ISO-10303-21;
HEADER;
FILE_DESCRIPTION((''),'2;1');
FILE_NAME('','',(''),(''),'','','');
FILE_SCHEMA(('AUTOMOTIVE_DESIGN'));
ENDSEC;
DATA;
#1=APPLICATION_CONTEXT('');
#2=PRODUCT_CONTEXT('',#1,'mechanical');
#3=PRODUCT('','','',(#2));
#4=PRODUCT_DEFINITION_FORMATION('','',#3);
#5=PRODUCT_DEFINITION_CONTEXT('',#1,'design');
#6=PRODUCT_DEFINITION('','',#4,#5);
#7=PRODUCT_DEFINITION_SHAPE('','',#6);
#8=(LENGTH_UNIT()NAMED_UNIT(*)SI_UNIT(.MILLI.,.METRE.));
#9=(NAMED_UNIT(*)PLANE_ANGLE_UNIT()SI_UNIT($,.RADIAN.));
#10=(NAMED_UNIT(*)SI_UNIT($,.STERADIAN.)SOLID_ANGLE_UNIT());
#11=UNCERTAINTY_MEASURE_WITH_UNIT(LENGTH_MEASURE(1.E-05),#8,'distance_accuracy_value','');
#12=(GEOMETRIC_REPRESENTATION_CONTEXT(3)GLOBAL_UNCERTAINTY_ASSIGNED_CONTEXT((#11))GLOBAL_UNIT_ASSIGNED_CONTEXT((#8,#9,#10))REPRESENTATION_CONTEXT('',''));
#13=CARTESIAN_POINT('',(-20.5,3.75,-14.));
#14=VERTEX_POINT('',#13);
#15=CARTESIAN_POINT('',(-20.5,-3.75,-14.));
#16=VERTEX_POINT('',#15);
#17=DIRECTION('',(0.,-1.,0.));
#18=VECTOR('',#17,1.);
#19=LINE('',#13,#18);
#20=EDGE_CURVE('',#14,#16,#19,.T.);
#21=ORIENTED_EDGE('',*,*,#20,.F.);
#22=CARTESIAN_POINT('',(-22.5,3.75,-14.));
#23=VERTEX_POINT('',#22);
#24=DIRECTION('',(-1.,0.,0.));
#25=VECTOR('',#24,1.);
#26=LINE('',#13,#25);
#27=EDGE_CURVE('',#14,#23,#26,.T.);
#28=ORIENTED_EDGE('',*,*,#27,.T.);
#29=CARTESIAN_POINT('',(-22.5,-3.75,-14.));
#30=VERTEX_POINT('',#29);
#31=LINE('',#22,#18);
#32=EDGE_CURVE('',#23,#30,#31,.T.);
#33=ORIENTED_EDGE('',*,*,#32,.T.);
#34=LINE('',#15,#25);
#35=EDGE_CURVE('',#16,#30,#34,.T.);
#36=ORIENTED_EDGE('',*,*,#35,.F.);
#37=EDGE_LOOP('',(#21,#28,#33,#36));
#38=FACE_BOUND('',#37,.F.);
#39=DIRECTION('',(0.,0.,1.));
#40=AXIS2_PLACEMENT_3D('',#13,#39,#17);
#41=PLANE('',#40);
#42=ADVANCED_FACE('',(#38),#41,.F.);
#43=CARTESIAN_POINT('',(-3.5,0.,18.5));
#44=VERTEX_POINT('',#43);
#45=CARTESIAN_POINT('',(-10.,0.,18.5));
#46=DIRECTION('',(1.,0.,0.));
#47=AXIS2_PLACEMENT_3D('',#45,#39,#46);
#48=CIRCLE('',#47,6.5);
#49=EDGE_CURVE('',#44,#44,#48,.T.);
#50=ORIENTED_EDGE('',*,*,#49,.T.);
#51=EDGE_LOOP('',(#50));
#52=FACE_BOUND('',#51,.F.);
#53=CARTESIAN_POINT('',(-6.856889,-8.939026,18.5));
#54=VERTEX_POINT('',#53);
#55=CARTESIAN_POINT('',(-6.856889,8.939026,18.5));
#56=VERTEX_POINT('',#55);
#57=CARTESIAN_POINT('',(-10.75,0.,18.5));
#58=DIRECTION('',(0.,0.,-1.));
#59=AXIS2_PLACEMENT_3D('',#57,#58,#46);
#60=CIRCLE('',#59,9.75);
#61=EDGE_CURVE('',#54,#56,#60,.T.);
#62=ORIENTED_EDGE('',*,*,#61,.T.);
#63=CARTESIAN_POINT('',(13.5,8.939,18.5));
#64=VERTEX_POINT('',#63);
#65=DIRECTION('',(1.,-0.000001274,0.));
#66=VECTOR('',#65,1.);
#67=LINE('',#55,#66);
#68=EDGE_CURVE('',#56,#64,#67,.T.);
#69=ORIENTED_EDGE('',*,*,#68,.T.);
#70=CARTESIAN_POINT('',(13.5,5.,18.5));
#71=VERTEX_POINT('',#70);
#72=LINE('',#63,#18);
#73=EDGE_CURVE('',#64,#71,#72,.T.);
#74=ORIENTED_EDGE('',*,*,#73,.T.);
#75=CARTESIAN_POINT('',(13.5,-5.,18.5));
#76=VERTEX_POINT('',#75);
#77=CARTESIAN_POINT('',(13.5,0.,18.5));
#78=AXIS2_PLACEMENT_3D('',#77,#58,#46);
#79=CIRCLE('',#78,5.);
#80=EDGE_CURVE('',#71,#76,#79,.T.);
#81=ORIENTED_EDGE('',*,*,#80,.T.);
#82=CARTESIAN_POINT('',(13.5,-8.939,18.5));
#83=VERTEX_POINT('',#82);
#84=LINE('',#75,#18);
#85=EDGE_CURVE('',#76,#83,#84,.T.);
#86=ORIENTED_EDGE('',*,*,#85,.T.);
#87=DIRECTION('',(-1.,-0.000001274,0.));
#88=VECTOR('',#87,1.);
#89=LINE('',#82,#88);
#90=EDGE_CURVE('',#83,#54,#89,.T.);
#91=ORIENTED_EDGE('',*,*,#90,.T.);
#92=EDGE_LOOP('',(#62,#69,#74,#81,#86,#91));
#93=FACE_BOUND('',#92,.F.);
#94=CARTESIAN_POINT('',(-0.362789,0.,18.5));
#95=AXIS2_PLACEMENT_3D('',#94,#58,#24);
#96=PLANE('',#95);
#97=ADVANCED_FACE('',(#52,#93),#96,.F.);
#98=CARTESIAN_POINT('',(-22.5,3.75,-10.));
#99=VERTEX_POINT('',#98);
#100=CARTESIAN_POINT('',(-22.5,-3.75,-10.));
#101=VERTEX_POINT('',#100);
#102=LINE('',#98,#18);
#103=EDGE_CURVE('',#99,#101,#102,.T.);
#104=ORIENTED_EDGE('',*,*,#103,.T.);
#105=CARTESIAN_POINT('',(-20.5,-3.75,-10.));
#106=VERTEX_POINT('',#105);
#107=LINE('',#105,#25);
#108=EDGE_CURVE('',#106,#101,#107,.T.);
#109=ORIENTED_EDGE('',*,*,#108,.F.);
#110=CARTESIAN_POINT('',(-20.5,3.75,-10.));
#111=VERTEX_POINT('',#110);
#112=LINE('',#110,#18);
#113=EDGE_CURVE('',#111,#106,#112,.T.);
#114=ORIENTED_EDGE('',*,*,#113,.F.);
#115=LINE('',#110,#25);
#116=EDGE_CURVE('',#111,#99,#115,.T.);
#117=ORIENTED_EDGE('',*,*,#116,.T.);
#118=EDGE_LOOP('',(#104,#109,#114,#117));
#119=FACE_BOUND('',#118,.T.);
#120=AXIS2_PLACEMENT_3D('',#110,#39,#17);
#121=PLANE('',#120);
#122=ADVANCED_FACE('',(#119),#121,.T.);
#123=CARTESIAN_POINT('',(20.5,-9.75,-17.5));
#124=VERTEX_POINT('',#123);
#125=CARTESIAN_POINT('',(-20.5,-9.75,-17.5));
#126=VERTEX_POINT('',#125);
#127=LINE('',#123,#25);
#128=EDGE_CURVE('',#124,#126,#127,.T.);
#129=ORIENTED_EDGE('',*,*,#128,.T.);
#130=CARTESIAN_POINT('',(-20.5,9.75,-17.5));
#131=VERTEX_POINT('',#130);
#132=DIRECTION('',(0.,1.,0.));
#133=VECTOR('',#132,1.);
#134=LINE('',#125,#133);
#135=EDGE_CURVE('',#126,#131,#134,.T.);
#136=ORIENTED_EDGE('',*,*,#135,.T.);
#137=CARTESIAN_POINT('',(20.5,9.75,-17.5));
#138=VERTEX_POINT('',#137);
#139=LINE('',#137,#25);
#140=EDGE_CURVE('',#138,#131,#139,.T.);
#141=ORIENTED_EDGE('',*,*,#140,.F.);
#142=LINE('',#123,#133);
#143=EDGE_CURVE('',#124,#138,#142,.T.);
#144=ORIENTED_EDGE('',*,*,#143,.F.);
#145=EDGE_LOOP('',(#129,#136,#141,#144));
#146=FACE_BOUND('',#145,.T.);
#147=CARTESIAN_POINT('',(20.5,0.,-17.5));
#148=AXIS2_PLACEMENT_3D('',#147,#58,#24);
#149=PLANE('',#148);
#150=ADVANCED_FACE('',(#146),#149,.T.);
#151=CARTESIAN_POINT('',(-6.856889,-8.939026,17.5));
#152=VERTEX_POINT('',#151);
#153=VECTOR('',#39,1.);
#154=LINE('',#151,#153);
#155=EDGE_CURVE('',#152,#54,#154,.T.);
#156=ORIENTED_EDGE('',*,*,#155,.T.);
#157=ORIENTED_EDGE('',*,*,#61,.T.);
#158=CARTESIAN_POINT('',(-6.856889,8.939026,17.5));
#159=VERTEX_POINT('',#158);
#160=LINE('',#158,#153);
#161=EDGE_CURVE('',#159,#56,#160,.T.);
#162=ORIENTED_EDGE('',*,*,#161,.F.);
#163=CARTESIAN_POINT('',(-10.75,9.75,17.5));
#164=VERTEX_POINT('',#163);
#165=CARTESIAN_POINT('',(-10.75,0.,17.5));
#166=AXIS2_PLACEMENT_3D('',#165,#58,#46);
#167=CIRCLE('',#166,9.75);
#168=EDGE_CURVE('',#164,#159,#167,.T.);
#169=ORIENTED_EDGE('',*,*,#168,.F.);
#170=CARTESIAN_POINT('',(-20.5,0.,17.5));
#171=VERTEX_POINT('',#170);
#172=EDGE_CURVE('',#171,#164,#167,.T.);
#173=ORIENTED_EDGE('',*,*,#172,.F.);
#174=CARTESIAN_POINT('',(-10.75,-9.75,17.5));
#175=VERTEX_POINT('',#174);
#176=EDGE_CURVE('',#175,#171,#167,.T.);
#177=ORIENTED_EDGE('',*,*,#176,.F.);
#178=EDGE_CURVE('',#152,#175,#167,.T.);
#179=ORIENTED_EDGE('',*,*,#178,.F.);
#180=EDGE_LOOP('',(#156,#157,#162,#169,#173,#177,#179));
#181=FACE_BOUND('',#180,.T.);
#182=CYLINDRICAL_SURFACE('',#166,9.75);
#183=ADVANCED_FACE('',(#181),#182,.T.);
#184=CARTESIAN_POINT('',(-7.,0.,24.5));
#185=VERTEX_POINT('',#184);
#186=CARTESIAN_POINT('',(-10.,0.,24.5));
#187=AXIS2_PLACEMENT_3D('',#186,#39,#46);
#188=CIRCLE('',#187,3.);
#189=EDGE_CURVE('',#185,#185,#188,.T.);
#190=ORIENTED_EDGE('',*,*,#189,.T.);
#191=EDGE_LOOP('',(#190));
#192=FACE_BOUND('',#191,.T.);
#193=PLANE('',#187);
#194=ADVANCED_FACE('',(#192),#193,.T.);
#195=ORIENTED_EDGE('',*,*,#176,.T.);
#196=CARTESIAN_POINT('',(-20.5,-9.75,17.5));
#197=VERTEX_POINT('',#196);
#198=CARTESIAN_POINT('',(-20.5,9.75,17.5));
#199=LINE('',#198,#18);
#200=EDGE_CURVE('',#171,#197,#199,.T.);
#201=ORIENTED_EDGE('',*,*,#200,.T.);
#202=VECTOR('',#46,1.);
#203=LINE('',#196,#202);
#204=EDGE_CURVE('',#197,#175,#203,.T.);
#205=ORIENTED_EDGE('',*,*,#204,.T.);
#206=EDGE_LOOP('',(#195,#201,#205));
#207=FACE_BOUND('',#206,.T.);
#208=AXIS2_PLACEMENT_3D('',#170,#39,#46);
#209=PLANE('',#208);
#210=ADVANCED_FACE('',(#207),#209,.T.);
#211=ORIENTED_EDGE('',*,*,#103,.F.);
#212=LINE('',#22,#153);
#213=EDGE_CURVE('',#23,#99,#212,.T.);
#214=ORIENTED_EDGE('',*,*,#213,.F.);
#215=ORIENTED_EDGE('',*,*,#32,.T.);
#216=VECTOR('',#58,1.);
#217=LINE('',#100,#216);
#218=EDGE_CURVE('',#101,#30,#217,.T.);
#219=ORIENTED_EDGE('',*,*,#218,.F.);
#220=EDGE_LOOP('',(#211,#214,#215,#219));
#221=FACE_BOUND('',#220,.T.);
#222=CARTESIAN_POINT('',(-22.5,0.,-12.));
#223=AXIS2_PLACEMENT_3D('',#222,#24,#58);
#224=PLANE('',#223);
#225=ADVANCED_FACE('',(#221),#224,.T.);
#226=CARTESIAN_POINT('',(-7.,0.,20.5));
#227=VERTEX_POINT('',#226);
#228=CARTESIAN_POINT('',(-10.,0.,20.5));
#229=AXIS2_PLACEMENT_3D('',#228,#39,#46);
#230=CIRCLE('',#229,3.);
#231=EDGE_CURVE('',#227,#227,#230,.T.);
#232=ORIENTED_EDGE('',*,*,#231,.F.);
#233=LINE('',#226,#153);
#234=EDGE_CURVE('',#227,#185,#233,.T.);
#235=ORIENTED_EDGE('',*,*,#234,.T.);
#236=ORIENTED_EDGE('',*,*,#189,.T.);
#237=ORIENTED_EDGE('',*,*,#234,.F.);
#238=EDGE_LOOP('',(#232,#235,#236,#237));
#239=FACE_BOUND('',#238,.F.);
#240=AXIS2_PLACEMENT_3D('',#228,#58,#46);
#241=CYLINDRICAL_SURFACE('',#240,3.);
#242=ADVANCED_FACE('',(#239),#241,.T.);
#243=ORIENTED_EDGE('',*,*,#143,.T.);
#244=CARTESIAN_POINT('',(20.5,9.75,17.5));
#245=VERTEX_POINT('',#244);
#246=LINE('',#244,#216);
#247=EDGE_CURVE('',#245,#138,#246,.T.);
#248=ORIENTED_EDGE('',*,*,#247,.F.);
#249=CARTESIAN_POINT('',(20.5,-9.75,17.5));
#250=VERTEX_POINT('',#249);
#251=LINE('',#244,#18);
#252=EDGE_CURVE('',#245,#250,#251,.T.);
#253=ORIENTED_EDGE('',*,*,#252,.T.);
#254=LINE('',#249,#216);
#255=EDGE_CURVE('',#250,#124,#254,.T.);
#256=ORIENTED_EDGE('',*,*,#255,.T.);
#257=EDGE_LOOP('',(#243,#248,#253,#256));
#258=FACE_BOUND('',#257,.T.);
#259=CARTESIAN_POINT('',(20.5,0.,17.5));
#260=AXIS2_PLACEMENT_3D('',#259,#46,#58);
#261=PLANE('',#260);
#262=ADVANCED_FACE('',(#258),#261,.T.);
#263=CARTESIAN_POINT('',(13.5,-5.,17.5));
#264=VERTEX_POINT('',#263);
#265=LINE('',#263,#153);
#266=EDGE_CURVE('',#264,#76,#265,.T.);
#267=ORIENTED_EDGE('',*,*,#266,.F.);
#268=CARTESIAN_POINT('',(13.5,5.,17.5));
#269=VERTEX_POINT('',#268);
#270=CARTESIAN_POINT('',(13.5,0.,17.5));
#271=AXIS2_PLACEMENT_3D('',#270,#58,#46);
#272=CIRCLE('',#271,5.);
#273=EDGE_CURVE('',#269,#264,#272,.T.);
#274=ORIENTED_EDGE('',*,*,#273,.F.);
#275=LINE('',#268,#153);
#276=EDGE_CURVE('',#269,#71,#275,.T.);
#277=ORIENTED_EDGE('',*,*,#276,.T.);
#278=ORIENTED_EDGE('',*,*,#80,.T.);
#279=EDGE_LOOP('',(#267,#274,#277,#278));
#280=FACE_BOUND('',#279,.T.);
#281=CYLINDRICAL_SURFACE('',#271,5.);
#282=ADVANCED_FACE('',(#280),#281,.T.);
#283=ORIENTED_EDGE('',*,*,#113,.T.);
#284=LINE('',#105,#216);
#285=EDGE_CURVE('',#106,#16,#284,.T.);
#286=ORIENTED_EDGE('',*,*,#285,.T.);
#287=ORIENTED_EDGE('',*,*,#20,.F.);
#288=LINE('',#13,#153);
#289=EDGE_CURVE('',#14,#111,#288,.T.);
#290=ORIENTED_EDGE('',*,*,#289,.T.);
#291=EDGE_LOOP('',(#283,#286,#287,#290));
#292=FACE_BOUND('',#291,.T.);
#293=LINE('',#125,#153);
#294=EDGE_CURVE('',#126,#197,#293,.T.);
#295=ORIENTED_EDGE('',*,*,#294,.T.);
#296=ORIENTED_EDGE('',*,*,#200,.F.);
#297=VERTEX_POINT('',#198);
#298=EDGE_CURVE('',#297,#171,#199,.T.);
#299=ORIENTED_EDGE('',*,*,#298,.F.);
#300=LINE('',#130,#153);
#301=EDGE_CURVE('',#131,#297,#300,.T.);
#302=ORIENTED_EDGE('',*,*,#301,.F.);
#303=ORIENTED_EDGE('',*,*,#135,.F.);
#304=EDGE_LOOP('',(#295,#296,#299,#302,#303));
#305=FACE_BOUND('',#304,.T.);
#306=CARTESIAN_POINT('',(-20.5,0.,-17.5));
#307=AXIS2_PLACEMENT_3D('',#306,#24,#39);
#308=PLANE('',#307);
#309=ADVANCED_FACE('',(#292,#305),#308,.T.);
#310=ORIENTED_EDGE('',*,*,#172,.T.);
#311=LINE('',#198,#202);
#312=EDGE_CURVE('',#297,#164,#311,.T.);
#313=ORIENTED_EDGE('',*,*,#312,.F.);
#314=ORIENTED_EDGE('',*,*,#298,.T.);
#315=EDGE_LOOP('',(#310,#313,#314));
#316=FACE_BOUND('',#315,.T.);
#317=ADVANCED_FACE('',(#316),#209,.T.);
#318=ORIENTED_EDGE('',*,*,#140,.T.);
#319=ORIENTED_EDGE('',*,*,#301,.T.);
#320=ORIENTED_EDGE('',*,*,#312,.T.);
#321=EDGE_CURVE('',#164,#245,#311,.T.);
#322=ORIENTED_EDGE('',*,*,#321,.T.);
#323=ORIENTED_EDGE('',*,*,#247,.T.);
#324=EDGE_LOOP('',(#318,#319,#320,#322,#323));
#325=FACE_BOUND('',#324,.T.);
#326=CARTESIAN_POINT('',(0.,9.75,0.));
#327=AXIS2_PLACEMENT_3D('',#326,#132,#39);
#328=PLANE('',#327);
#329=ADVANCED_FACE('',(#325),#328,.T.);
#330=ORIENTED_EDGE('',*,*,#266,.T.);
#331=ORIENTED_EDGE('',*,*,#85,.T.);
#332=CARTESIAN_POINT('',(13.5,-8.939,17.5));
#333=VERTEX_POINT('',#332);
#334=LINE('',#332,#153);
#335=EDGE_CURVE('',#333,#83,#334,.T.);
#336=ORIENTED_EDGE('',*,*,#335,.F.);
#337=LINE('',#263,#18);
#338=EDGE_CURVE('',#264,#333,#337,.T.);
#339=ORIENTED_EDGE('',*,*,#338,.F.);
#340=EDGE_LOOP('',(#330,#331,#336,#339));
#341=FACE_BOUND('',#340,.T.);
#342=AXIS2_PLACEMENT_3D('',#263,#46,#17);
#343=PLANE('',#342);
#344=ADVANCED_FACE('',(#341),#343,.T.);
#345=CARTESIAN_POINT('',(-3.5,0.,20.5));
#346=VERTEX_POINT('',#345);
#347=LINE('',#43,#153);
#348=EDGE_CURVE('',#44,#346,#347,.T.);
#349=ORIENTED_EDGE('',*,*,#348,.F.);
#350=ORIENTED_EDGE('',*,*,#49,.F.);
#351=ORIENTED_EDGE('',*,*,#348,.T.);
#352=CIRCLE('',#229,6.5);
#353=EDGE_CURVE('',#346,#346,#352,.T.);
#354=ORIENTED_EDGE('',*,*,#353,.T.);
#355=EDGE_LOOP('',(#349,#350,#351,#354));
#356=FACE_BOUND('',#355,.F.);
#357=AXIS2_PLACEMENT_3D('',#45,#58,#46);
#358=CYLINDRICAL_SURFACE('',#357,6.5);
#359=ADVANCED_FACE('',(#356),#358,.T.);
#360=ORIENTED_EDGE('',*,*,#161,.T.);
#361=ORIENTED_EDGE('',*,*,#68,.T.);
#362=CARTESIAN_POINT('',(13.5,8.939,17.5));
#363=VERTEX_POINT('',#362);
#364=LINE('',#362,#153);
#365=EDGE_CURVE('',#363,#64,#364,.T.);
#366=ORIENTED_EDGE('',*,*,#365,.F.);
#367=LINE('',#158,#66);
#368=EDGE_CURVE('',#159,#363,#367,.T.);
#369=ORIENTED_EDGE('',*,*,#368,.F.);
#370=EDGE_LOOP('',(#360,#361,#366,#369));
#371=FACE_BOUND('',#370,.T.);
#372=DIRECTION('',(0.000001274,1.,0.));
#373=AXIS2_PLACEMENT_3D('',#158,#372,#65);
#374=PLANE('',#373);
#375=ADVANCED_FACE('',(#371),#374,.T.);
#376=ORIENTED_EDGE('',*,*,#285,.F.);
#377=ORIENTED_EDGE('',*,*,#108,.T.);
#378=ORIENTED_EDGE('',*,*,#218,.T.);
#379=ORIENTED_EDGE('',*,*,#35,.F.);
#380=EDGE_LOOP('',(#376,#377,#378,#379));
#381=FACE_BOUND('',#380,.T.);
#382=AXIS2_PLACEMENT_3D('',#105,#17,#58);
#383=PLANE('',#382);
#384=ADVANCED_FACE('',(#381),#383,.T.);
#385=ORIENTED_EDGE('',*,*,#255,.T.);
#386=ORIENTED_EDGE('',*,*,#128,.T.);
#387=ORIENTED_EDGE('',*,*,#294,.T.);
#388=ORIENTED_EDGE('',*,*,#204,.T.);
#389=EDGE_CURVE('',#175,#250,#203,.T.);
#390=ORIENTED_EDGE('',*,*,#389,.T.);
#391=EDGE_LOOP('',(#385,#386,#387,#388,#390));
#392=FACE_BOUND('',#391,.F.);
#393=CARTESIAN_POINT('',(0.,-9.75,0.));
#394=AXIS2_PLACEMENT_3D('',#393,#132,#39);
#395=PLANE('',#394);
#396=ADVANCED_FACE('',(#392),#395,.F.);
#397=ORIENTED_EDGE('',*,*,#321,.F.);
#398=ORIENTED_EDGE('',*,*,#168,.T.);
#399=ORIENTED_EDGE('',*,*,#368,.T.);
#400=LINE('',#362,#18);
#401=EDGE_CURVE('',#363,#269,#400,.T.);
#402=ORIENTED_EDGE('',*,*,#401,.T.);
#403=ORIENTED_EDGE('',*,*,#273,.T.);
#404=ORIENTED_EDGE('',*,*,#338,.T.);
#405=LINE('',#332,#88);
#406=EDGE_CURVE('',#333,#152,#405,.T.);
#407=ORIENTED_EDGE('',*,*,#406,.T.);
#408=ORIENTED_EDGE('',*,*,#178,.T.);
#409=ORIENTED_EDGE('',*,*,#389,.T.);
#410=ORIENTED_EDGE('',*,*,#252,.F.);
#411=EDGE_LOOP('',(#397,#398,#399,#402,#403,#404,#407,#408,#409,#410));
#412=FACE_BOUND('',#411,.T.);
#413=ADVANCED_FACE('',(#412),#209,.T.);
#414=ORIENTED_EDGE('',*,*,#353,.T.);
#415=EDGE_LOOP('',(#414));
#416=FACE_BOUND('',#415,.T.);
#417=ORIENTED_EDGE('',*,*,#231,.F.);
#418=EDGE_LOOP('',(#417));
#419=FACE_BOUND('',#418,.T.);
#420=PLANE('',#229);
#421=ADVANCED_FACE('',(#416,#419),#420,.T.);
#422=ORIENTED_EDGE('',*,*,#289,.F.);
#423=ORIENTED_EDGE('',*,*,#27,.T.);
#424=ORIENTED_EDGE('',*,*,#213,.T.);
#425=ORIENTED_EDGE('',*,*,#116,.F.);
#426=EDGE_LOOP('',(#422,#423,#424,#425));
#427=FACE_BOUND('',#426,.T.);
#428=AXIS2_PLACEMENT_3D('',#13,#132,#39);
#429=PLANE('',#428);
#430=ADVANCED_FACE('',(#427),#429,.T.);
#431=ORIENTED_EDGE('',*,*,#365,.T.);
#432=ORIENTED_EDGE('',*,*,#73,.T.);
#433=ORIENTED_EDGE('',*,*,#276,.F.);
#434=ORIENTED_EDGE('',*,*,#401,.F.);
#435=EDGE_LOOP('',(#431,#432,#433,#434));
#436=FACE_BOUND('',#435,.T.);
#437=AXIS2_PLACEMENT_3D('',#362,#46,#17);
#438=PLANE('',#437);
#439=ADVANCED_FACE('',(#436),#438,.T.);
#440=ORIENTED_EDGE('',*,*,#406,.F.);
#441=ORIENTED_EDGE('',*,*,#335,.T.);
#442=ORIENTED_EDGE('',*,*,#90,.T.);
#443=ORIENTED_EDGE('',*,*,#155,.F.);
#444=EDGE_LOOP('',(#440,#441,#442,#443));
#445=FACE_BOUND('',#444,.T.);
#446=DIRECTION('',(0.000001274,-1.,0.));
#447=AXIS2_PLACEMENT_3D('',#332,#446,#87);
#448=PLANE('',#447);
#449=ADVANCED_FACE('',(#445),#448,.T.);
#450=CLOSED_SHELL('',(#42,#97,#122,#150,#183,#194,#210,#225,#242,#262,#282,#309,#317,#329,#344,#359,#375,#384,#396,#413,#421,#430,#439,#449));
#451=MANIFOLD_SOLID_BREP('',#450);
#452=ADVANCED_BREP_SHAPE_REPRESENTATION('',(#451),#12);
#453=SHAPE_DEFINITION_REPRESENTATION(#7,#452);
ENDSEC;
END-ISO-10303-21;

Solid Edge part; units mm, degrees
sketch "Sketch1" plane through (0, 0, 0) normal (0, -1, 0) x (1, 0, 0)
  line L0 (20.5, 17.5) -> (20.5, -17.5)
  line L1 (20.5, -17.5) -> (-20.5, -17.5)
  line L2 (-20.5, -17.5) -> (-20.5, 17.5)
  line L3 (-20.5, 17.5) -> (20.5, 17.5)
  dimension "D1" = 41
  dimension "D2" = 35
extrude "Protrusion1" add sketch "Sketch1" along normal mid plane 19.5
sketch "Sketch2" plane through (17.7914, 0, 17.5) normal (0, 0, 1) x (1, 0, 0)
  line L0 (-24.6483, 8.939) -> (-4.2914, 8.939)
  line L1 (-4.2914, 8.939) -> (-4.2914, 5)
  line L2 (-4.2914, -5) -> (-4.2914, -8.939)
  line L3 (-4.2914, -8.939) -> (-24.6483, -8.939)
  arc A0 (-24.6483, -8.939) -> (-24.6483, 8.939) centre (-28.5414, 0) cw
  arc A1 (-4.2914, 5) -> (-4.2914, -5) centre (-4.2914, 0) cw
  dimension "D1" = 4.2914
extrude "ProtrusiónExtruida_3" add sketch "Sketch2" along normal blind 1
sketch "Sketch3" plane through (16.3242, 0, 18.5) normal (0, 0, 1) x (1, 0, 0)
  circle A0 centre (-26.3242, 0) radius 6.5
  dimension "D1" = 10.5
  dimension "D2" = 13
extrude "ProtrusiónExtruida_4" add sketch "Sketch3" along normal blind 2
sketch "Sketch4" plane through (7.7914, 0, 20.5) normal (0, 0, 1) x (1, 0, 0)
  circle A0 centre (-17.7914, 0) radius 3
extrude "ProtrusiónExtruida_5" add sketch "Sketch4" along normal blind 4
sketch "Sketch5" plane through (-20.5, 0, 10.2776) normal (-1, 0, 0) x (0, 0, 1)
  line L0 (-24.2776, 3.75) -> (-24.2776, -3.75)
  line L1 (-20.2776, -3.75) -> (-24.2776, -3.75)
  line L2 (-20.2776, 3.75) -> (-20.2776, -3.75)
  line L3 (-24.2776, 3.75) -> (-20.2776, 3.75)
  dimension "D1" = 3.5
  dimension "D2" = 7.5
  dimension "D3" = 4
extrude "ProtrusiónExtruida_6" add sketch "Sketch5" along normal blind 2
